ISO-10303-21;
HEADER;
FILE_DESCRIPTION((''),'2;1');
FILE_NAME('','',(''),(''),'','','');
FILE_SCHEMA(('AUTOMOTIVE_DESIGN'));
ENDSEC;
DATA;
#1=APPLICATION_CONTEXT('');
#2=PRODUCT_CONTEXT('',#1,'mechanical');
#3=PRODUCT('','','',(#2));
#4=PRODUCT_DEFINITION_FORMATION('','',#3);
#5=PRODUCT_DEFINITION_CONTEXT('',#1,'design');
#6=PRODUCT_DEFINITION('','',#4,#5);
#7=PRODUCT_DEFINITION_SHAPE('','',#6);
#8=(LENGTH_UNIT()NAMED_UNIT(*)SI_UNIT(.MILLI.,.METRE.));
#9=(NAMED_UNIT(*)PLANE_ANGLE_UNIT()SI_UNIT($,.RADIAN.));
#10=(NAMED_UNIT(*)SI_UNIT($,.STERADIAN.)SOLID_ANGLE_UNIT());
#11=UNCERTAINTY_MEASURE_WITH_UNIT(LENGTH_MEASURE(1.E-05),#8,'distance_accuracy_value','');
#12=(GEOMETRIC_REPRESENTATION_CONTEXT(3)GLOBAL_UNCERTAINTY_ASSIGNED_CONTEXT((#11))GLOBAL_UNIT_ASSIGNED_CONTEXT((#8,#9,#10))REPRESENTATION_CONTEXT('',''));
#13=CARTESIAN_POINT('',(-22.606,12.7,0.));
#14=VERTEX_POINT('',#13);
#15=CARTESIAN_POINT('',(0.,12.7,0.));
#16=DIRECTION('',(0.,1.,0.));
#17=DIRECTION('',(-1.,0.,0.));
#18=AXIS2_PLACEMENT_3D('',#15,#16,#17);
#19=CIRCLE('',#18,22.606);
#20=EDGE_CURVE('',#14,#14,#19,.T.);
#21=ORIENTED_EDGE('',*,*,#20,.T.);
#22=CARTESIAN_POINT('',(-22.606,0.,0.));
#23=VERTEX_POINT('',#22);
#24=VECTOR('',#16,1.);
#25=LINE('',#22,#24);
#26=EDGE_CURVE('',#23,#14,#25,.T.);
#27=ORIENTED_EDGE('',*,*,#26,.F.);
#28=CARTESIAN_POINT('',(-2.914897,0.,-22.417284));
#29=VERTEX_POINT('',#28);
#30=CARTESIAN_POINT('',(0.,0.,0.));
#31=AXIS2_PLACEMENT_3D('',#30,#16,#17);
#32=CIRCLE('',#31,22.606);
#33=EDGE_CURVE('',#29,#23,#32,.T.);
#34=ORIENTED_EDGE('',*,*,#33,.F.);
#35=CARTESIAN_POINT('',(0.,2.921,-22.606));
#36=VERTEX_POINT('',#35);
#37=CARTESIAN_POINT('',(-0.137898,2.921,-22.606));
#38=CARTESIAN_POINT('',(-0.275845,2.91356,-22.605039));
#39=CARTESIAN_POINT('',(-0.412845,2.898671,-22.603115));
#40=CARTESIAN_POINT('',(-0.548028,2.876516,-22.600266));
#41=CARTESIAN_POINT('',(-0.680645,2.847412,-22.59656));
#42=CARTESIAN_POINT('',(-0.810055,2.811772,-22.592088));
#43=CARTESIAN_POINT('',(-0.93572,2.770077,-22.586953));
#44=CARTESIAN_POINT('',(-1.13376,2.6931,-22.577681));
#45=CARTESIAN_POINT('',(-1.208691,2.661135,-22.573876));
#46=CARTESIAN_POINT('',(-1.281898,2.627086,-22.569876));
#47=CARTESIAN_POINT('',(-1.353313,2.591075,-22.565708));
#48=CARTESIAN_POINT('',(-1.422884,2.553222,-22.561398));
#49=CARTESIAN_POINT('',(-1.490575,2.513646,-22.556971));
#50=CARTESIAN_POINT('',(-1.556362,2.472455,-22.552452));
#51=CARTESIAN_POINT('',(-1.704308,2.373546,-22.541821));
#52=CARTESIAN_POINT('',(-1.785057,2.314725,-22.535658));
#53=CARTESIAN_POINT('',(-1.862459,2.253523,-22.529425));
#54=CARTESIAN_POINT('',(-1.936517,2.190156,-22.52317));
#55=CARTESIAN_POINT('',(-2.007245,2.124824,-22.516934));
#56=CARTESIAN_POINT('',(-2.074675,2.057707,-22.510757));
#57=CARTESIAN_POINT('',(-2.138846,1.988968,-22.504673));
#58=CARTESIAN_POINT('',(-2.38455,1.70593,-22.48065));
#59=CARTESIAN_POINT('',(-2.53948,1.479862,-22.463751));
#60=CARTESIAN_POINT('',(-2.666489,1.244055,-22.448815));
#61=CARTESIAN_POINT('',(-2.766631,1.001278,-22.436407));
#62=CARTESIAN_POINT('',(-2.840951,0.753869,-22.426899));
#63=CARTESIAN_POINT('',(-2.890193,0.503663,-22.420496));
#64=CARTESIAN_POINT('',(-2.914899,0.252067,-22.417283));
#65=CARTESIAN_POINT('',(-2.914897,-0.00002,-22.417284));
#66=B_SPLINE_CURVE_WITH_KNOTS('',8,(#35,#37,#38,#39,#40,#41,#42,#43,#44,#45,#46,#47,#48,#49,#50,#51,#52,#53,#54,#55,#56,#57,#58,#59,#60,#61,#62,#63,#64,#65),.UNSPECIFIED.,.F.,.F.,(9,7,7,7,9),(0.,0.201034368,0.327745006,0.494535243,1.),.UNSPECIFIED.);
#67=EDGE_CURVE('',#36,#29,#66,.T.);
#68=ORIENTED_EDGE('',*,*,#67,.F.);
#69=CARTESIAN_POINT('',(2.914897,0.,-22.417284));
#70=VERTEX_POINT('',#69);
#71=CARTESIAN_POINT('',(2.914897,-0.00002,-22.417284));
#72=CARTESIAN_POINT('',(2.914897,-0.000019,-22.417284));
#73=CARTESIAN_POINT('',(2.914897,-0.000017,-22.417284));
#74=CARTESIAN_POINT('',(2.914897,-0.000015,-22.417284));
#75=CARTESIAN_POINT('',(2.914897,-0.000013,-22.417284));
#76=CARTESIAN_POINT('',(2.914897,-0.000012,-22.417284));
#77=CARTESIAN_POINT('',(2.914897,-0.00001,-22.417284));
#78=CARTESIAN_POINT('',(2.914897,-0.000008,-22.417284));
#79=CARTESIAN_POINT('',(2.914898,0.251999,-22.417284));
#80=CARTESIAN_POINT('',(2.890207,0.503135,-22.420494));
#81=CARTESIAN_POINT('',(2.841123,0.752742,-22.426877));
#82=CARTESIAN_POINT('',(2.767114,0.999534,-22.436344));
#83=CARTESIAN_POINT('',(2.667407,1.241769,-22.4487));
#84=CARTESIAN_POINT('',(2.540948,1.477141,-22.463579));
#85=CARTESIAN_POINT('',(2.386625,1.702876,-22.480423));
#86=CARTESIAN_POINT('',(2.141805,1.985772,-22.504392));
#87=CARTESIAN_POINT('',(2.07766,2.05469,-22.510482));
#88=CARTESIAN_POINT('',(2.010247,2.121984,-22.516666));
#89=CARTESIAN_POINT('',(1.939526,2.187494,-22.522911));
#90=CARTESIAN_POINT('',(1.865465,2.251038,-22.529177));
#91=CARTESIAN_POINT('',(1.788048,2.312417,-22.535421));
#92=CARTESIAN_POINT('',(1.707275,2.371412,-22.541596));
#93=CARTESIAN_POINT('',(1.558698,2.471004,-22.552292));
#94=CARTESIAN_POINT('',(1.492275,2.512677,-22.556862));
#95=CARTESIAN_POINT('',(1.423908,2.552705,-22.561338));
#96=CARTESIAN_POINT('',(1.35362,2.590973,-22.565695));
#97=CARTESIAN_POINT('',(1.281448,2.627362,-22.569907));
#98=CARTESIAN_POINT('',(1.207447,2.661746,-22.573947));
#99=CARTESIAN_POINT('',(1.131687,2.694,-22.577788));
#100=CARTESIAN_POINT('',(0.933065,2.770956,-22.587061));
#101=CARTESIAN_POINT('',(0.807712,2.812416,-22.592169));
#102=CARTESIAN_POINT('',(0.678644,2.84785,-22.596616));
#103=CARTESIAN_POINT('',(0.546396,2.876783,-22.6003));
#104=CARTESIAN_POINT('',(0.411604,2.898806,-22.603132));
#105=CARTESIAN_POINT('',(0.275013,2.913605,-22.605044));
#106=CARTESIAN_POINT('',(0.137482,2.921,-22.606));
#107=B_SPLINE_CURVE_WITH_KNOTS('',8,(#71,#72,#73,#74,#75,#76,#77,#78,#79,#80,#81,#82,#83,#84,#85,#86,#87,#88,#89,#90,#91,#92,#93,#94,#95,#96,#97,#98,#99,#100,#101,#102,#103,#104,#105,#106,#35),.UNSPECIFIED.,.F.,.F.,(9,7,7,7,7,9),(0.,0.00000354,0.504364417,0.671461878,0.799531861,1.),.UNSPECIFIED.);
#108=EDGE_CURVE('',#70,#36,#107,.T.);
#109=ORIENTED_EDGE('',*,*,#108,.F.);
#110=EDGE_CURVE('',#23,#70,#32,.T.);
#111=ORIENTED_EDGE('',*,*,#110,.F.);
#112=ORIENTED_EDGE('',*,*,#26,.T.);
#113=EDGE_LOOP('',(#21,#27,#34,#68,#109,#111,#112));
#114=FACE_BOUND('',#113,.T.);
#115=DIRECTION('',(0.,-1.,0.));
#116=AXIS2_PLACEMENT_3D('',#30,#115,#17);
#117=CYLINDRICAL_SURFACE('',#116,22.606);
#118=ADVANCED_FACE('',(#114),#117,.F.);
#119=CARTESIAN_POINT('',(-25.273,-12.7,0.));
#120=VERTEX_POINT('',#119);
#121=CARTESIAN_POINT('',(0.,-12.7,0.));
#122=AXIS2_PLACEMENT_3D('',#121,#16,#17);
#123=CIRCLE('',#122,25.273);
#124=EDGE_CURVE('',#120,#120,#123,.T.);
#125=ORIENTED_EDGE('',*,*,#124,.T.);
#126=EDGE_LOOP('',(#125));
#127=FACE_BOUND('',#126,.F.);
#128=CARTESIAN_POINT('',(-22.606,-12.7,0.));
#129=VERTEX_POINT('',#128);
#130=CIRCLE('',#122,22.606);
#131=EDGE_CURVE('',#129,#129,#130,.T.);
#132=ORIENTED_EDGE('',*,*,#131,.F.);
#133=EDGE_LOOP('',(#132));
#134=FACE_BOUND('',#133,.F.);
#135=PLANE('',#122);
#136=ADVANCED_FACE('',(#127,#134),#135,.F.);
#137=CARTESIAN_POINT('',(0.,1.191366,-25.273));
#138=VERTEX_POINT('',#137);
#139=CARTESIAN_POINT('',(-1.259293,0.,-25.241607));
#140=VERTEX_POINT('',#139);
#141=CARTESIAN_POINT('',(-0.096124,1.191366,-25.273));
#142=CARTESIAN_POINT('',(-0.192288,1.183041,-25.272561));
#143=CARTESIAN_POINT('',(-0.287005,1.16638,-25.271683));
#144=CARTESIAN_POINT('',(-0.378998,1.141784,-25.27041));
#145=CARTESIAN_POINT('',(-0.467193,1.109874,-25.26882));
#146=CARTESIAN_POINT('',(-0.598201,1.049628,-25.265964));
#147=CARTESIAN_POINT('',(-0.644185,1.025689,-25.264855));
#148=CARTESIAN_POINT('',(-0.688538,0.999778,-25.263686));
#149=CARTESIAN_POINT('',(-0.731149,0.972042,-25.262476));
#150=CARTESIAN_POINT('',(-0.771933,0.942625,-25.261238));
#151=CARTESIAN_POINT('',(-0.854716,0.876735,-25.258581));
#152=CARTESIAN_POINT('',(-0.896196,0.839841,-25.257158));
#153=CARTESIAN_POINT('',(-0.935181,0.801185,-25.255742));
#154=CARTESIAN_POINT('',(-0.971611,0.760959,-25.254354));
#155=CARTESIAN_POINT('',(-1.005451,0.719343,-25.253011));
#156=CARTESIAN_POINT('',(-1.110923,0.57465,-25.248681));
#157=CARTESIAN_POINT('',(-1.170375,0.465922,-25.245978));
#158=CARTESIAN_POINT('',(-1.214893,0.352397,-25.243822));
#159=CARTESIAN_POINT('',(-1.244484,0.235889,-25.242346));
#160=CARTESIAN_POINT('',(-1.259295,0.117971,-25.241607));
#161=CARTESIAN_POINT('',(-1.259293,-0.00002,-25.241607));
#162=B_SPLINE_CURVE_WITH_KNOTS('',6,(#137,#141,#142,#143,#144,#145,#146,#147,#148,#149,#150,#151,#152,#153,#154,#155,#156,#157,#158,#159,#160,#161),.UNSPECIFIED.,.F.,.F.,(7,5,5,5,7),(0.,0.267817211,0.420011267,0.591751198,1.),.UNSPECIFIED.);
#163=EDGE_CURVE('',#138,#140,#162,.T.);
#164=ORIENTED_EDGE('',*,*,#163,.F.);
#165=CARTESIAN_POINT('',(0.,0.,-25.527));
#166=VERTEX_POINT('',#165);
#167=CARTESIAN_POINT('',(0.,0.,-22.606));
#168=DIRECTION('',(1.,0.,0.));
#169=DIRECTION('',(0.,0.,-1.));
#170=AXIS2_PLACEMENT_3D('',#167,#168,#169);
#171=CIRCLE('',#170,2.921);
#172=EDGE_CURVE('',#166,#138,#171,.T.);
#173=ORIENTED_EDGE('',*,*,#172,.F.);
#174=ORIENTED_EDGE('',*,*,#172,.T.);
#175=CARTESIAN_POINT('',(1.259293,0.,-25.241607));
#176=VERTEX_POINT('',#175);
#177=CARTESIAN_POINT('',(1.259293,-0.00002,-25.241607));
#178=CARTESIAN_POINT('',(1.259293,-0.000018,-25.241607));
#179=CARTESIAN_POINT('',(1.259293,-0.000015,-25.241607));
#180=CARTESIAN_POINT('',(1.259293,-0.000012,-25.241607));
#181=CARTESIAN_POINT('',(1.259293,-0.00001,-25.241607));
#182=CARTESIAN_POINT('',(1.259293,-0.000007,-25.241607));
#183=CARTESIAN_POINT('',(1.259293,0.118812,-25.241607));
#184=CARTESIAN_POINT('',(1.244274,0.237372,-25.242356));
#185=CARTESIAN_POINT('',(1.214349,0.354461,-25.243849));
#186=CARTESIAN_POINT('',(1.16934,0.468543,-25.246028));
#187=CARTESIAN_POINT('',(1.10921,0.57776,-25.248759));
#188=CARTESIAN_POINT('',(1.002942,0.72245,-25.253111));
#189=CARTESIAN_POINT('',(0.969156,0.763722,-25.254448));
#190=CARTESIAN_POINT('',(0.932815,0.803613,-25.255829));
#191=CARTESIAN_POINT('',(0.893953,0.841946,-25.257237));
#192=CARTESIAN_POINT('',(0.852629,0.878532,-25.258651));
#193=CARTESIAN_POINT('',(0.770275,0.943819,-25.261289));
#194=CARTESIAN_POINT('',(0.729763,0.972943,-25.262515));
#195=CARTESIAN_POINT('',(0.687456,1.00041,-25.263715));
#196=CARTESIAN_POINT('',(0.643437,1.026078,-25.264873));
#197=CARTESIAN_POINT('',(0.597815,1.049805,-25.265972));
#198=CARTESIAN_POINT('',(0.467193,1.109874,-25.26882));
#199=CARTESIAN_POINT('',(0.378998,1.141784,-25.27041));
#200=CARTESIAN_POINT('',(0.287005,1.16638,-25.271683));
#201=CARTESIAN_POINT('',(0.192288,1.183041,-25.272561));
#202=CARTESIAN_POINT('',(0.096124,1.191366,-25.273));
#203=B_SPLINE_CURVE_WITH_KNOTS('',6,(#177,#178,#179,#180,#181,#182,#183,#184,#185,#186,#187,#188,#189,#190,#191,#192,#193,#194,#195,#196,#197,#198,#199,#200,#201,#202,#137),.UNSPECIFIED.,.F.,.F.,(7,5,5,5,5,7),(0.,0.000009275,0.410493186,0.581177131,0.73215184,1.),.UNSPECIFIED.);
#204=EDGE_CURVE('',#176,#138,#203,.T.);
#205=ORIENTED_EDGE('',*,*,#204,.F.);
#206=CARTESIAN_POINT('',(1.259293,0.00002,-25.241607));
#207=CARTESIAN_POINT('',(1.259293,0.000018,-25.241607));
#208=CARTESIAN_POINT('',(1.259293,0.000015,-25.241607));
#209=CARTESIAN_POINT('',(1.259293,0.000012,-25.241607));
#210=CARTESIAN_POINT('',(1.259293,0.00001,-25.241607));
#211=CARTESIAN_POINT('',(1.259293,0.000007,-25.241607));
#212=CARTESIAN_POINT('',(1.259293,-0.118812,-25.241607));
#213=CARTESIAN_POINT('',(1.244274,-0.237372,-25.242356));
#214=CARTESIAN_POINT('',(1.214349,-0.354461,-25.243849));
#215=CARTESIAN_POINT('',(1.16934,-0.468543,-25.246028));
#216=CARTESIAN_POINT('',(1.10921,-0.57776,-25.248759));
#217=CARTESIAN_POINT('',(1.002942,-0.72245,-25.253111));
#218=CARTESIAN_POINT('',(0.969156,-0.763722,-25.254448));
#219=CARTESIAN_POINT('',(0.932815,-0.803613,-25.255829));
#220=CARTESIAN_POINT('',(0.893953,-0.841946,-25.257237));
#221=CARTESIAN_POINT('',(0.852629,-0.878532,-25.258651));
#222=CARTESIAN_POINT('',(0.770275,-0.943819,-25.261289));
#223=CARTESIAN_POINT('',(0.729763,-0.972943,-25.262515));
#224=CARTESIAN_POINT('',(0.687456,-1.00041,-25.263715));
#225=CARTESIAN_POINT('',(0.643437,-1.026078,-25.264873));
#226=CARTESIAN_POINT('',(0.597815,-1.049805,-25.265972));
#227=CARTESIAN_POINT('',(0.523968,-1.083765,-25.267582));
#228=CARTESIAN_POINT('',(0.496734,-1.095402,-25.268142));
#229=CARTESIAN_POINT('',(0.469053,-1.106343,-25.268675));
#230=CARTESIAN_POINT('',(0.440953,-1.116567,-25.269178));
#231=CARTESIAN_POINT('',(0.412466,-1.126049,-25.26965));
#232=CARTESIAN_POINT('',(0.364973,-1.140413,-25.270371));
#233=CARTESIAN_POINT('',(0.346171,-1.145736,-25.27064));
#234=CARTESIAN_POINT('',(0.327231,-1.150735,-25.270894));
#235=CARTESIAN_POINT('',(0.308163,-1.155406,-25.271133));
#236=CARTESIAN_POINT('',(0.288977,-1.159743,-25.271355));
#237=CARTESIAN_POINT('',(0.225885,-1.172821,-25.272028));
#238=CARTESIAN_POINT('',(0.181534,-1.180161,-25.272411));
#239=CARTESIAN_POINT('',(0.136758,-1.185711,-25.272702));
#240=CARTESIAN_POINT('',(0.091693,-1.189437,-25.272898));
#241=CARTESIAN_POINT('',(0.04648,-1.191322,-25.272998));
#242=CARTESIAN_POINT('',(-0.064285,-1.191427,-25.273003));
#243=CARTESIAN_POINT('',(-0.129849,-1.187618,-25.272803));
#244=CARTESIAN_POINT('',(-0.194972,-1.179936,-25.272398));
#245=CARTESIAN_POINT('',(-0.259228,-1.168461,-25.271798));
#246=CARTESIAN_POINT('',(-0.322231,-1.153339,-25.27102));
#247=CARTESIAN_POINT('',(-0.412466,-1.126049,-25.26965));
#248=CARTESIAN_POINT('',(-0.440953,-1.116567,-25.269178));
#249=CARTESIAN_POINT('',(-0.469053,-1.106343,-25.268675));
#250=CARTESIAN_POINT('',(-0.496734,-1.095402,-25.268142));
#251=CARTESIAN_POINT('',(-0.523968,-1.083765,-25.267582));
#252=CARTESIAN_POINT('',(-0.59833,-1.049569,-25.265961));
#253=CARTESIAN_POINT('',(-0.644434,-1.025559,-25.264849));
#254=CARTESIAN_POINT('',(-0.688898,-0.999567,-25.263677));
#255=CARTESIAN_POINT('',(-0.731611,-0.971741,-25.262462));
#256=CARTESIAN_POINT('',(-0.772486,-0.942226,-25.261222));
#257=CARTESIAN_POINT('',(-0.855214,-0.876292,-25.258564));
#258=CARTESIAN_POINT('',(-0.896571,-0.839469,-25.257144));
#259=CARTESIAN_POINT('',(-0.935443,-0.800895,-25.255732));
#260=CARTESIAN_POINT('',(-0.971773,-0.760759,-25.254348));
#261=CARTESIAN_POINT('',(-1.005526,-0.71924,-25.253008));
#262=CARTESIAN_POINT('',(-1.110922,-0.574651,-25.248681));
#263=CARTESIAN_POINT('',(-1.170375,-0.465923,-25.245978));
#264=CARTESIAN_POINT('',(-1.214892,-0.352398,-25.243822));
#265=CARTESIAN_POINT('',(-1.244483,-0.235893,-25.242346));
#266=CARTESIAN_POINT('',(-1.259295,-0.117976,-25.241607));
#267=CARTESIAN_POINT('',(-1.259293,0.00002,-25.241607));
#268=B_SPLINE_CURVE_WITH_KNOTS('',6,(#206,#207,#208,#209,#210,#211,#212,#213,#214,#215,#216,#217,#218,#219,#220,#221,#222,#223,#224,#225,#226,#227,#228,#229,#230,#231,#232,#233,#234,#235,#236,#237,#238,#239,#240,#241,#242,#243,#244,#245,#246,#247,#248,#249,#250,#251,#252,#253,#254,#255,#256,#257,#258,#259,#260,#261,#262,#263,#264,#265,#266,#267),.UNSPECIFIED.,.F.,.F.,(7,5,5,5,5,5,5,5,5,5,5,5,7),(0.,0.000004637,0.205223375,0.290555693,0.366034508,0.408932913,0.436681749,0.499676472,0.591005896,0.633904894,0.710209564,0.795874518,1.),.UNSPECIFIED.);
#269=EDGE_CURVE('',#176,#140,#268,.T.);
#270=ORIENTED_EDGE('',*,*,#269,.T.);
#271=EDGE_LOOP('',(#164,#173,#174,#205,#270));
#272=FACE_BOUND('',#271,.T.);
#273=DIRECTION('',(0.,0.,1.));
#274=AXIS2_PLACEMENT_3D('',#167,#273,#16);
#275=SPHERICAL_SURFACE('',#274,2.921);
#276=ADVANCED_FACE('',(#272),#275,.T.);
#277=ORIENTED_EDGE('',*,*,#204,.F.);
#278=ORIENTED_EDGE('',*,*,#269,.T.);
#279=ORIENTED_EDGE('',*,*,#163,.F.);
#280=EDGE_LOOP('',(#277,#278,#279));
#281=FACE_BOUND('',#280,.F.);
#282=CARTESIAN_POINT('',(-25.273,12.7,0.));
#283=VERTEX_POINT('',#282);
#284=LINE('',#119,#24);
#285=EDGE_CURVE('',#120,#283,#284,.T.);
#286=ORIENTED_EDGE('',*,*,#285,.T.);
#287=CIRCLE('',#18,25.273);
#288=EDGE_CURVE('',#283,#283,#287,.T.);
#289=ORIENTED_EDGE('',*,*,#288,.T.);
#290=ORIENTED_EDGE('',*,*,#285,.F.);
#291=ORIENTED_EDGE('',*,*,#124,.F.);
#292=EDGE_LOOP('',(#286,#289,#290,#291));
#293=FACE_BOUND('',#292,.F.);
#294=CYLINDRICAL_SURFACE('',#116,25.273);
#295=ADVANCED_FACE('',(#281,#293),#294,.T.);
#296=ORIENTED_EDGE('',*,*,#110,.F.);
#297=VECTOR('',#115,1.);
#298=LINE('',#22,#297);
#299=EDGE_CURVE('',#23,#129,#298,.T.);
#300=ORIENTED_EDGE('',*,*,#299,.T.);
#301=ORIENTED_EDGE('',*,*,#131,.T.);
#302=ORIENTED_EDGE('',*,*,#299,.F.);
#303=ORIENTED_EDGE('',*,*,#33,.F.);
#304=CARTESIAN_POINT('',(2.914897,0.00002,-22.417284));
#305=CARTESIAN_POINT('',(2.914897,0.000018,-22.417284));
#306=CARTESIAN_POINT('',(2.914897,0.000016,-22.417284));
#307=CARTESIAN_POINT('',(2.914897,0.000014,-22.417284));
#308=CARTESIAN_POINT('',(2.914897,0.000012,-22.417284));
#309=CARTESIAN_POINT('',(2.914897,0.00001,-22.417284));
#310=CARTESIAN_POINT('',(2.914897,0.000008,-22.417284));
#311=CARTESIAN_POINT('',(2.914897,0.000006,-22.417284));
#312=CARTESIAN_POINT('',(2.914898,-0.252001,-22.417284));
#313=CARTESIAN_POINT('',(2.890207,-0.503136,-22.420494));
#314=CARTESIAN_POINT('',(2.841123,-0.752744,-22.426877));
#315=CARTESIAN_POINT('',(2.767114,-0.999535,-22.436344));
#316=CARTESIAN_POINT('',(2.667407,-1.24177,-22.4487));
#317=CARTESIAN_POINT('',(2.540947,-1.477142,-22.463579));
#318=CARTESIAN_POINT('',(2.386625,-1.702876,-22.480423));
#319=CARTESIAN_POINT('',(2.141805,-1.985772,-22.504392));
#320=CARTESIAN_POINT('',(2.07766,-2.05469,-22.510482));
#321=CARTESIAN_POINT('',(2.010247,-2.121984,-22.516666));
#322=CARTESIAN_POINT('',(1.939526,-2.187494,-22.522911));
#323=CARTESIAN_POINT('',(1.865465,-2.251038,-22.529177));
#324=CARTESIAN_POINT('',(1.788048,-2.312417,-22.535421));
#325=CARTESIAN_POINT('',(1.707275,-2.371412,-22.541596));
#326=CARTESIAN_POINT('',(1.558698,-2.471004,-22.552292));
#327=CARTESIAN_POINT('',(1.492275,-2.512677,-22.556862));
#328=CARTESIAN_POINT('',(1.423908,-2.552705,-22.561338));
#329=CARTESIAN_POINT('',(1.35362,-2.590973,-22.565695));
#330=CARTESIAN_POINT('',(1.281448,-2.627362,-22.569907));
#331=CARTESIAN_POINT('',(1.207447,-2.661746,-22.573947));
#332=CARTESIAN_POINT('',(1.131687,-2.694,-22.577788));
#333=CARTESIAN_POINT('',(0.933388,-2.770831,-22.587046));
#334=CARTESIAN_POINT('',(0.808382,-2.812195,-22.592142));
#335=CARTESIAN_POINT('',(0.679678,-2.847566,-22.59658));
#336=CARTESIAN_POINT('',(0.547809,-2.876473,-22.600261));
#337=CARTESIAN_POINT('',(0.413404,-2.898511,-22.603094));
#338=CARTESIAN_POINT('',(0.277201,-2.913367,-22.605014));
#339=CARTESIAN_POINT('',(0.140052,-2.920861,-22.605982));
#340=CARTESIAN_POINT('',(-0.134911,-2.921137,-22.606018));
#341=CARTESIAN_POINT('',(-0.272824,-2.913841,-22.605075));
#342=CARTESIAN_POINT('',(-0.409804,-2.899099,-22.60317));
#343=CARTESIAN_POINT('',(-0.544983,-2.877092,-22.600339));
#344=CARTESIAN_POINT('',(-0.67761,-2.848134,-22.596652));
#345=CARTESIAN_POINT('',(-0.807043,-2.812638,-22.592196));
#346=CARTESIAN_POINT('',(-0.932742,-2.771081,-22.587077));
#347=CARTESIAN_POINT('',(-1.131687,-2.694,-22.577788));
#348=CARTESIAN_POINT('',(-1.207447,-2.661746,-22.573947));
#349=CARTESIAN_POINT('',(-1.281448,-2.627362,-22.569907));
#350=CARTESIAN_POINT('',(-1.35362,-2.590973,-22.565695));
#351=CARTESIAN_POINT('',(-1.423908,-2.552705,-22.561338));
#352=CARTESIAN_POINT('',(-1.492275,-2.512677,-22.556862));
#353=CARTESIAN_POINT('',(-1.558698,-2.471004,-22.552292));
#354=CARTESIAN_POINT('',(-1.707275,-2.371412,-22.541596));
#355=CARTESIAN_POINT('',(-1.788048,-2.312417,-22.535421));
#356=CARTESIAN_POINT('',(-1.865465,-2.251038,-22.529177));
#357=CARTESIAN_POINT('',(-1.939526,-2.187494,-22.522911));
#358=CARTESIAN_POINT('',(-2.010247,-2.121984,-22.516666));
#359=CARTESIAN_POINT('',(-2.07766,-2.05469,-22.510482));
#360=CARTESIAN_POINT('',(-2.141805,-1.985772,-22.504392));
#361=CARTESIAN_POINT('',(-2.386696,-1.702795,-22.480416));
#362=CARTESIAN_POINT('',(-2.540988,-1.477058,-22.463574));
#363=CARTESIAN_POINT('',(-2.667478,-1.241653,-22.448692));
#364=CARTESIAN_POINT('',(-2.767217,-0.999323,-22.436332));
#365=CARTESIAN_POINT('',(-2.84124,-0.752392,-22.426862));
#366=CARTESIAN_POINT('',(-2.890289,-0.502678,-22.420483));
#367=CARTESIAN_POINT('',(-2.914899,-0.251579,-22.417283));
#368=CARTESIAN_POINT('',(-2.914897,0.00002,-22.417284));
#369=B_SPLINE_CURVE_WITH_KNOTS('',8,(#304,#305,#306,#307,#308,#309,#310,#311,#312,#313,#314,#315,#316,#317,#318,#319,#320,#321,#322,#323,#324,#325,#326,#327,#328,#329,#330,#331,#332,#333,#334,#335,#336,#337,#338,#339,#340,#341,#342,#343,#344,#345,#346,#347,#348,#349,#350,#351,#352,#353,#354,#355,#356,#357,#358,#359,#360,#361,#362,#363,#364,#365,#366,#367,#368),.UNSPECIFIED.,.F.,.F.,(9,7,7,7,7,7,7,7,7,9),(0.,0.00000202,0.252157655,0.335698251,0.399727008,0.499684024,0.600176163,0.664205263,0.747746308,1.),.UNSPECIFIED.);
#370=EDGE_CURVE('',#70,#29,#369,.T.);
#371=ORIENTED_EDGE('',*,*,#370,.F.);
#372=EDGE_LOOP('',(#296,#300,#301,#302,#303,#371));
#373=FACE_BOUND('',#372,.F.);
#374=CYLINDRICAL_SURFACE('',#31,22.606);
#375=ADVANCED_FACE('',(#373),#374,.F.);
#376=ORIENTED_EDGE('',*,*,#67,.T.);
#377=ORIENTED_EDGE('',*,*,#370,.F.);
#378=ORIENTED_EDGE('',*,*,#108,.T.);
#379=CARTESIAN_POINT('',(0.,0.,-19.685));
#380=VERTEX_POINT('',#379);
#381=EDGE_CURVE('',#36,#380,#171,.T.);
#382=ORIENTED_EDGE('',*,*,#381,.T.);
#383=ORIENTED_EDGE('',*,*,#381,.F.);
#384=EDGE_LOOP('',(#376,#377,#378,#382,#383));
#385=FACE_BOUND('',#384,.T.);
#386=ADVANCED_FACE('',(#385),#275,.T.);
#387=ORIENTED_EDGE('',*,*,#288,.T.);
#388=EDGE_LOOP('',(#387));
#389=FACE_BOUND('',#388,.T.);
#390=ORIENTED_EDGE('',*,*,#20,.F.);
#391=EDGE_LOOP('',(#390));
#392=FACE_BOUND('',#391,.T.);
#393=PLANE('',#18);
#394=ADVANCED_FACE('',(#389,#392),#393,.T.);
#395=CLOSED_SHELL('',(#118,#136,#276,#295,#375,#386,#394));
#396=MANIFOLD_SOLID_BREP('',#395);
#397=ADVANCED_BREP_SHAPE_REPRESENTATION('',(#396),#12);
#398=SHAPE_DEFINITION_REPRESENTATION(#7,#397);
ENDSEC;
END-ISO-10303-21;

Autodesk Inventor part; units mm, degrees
ref_plane "YZ Plane" through (0, 0, 0) normal (1, 0, 0) x (0, 1, 0)
ref_plane "XZ Plane" through (0, 0, 0) normal (0, 1, 0) x (-1, 0, 0)
ref_plane "XY Plane" through (0, 0, 0) normal (0, 0, 1) x (1, 0, 0)
sketch "Sketch1" plane through (0, 0, 0) normal (0, 1, 0) x (-1, 0, 0)
  circle A0 centre (0, 0) radius 22.606
  circle A1 centre (0, 0) radius 25.273
  dimension "d0" = 45.212
  dimension "d1" = 50.546
extrude "Extrusion1" add sketch "Sketch1" along normal mid plane 25.4
sketch "Sketch5" plane through (0, 0, 0) normal (1, 0, 0) x (0, 1, 0)
  line L0 (-12.7, -22.606) -> (12.7, -22.606) projected
  arc A0 (0, -25.527) -> (0, -19.685) centre (0, -22.606) ccw
  line L1 (0, -25.527) -> (0, -19.685)
  line L2 (0, -25.527) -> (0, -19.685) construction
  point P0 (0, 0)
  dimension "d7" = 2.921
revolve "Revolution2" add sketch "Sketch5" angle 360 about axis through (0, 0, -25.527) along (0, 0, 1)
properties part number "ExternalMotorizedOuterRing" material "PET Plastic"
